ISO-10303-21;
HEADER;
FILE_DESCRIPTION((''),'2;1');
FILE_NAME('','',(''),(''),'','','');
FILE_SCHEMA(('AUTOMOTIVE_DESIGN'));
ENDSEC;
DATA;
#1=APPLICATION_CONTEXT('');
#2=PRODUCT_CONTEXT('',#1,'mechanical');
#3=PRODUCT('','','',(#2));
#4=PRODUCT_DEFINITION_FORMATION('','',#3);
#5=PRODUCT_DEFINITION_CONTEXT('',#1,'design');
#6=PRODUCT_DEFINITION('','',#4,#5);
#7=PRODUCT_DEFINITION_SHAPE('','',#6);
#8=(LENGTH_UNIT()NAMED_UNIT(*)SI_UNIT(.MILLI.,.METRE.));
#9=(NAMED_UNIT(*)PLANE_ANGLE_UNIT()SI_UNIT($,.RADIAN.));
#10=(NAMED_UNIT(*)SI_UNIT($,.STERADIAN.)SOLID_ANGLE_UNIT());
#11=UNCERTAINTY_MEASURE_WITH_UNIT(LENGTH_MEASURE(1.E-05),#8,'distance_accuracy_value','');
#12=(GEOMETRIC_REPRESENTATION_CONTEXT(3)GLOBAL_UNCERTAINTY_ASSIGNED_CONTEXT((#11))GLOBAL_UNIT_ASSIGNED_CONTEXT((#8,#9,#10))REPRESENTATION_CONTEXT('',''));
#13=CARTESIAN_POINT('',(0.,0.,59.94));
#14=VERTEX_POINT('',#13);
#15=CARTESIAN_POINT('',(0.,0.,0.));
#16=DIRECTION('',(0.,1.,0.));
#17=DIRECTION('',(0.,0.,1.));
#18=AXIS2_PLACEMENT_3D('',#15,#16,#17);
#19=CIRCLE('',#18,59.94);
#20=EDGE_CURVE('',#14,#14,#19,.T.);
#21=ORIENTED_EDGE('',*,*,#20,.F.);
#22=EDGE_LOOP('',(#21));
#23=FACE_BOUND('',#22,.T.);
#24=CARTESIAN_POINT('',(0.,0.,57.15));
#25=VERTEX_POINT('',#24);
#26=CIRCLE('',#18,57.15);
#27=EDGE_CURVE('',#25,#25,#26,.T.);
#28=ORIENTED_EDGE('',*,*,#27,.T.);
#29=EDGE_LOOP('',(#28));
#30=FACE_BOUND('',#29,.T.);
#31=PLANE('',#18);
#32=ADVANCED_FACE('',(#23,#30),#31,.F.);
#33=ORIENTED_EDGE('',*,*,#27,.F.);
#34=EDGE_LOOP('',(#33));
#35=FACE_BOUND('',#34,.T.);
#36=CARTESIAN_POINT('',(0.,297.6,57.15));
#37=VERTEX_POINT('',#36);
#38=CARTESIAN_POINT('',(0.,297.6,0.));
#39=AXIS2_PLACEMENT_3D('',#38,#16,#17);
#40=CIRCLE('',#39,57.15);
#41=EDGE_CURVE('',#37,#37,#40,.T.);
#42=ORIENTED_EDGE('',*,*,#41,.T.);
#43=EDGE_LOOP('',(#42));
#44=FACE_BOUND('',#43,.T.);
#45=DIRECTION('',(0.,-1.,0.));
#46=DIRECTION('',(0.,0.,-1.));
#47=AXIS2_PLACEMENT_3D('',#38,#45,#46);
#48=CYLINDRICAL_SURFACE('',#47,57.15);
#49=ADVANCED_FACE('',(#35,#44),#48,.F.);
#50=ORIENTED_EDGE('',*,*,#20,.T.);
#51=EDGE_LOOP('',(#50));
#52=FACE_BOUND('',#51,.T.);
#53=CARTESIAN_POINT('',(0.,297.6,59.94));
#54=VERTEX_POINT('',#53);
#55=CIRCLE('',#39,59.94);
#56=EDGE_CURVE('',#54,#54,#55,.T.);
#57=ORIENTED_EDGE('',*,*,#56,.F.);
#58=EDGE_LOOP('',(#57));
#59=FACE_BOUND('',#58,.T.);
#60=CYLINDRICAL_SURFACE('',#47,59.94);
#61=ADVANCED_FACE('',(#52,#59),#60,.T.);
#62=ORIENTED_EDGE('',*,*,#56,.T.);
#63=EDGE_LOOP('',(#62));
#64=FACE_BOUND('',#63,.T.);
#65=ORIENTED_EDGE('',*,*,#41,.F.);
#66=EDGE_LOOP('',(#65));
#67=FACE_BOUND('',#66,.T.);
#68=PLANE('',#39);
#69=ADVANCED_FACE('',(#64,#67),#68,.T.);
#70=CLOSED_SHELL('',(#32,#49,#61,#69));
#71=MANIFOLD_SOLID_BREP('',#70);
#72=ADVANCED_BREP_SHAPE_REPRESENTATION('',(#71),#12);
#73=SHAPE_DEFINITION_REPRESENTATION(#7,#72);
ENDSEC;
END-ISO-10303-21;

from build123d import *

# Parameters (mm, degrees)
SKETCH1_R           = 59.94
SKETCH1_R_2         = 57.15
BOSS_EXTRUDE1_DEPTH = 297.6


with BuildPart() as part:
    # Sketch1 → Boss-Extrude1 (new body)
    with BuildSketch(Plane(origin=(0, 0, 0), x_dir=(1, 0, 0), z_dir=(0, 1, 0))):
        Circle(SKETCH1_R)
        Circle(SKETCH1_R_2, mode=Mode.SUBTRACT)
    extrude(amount=BOSS_EXTRUDE1_DEPTH)


solid = part.part
